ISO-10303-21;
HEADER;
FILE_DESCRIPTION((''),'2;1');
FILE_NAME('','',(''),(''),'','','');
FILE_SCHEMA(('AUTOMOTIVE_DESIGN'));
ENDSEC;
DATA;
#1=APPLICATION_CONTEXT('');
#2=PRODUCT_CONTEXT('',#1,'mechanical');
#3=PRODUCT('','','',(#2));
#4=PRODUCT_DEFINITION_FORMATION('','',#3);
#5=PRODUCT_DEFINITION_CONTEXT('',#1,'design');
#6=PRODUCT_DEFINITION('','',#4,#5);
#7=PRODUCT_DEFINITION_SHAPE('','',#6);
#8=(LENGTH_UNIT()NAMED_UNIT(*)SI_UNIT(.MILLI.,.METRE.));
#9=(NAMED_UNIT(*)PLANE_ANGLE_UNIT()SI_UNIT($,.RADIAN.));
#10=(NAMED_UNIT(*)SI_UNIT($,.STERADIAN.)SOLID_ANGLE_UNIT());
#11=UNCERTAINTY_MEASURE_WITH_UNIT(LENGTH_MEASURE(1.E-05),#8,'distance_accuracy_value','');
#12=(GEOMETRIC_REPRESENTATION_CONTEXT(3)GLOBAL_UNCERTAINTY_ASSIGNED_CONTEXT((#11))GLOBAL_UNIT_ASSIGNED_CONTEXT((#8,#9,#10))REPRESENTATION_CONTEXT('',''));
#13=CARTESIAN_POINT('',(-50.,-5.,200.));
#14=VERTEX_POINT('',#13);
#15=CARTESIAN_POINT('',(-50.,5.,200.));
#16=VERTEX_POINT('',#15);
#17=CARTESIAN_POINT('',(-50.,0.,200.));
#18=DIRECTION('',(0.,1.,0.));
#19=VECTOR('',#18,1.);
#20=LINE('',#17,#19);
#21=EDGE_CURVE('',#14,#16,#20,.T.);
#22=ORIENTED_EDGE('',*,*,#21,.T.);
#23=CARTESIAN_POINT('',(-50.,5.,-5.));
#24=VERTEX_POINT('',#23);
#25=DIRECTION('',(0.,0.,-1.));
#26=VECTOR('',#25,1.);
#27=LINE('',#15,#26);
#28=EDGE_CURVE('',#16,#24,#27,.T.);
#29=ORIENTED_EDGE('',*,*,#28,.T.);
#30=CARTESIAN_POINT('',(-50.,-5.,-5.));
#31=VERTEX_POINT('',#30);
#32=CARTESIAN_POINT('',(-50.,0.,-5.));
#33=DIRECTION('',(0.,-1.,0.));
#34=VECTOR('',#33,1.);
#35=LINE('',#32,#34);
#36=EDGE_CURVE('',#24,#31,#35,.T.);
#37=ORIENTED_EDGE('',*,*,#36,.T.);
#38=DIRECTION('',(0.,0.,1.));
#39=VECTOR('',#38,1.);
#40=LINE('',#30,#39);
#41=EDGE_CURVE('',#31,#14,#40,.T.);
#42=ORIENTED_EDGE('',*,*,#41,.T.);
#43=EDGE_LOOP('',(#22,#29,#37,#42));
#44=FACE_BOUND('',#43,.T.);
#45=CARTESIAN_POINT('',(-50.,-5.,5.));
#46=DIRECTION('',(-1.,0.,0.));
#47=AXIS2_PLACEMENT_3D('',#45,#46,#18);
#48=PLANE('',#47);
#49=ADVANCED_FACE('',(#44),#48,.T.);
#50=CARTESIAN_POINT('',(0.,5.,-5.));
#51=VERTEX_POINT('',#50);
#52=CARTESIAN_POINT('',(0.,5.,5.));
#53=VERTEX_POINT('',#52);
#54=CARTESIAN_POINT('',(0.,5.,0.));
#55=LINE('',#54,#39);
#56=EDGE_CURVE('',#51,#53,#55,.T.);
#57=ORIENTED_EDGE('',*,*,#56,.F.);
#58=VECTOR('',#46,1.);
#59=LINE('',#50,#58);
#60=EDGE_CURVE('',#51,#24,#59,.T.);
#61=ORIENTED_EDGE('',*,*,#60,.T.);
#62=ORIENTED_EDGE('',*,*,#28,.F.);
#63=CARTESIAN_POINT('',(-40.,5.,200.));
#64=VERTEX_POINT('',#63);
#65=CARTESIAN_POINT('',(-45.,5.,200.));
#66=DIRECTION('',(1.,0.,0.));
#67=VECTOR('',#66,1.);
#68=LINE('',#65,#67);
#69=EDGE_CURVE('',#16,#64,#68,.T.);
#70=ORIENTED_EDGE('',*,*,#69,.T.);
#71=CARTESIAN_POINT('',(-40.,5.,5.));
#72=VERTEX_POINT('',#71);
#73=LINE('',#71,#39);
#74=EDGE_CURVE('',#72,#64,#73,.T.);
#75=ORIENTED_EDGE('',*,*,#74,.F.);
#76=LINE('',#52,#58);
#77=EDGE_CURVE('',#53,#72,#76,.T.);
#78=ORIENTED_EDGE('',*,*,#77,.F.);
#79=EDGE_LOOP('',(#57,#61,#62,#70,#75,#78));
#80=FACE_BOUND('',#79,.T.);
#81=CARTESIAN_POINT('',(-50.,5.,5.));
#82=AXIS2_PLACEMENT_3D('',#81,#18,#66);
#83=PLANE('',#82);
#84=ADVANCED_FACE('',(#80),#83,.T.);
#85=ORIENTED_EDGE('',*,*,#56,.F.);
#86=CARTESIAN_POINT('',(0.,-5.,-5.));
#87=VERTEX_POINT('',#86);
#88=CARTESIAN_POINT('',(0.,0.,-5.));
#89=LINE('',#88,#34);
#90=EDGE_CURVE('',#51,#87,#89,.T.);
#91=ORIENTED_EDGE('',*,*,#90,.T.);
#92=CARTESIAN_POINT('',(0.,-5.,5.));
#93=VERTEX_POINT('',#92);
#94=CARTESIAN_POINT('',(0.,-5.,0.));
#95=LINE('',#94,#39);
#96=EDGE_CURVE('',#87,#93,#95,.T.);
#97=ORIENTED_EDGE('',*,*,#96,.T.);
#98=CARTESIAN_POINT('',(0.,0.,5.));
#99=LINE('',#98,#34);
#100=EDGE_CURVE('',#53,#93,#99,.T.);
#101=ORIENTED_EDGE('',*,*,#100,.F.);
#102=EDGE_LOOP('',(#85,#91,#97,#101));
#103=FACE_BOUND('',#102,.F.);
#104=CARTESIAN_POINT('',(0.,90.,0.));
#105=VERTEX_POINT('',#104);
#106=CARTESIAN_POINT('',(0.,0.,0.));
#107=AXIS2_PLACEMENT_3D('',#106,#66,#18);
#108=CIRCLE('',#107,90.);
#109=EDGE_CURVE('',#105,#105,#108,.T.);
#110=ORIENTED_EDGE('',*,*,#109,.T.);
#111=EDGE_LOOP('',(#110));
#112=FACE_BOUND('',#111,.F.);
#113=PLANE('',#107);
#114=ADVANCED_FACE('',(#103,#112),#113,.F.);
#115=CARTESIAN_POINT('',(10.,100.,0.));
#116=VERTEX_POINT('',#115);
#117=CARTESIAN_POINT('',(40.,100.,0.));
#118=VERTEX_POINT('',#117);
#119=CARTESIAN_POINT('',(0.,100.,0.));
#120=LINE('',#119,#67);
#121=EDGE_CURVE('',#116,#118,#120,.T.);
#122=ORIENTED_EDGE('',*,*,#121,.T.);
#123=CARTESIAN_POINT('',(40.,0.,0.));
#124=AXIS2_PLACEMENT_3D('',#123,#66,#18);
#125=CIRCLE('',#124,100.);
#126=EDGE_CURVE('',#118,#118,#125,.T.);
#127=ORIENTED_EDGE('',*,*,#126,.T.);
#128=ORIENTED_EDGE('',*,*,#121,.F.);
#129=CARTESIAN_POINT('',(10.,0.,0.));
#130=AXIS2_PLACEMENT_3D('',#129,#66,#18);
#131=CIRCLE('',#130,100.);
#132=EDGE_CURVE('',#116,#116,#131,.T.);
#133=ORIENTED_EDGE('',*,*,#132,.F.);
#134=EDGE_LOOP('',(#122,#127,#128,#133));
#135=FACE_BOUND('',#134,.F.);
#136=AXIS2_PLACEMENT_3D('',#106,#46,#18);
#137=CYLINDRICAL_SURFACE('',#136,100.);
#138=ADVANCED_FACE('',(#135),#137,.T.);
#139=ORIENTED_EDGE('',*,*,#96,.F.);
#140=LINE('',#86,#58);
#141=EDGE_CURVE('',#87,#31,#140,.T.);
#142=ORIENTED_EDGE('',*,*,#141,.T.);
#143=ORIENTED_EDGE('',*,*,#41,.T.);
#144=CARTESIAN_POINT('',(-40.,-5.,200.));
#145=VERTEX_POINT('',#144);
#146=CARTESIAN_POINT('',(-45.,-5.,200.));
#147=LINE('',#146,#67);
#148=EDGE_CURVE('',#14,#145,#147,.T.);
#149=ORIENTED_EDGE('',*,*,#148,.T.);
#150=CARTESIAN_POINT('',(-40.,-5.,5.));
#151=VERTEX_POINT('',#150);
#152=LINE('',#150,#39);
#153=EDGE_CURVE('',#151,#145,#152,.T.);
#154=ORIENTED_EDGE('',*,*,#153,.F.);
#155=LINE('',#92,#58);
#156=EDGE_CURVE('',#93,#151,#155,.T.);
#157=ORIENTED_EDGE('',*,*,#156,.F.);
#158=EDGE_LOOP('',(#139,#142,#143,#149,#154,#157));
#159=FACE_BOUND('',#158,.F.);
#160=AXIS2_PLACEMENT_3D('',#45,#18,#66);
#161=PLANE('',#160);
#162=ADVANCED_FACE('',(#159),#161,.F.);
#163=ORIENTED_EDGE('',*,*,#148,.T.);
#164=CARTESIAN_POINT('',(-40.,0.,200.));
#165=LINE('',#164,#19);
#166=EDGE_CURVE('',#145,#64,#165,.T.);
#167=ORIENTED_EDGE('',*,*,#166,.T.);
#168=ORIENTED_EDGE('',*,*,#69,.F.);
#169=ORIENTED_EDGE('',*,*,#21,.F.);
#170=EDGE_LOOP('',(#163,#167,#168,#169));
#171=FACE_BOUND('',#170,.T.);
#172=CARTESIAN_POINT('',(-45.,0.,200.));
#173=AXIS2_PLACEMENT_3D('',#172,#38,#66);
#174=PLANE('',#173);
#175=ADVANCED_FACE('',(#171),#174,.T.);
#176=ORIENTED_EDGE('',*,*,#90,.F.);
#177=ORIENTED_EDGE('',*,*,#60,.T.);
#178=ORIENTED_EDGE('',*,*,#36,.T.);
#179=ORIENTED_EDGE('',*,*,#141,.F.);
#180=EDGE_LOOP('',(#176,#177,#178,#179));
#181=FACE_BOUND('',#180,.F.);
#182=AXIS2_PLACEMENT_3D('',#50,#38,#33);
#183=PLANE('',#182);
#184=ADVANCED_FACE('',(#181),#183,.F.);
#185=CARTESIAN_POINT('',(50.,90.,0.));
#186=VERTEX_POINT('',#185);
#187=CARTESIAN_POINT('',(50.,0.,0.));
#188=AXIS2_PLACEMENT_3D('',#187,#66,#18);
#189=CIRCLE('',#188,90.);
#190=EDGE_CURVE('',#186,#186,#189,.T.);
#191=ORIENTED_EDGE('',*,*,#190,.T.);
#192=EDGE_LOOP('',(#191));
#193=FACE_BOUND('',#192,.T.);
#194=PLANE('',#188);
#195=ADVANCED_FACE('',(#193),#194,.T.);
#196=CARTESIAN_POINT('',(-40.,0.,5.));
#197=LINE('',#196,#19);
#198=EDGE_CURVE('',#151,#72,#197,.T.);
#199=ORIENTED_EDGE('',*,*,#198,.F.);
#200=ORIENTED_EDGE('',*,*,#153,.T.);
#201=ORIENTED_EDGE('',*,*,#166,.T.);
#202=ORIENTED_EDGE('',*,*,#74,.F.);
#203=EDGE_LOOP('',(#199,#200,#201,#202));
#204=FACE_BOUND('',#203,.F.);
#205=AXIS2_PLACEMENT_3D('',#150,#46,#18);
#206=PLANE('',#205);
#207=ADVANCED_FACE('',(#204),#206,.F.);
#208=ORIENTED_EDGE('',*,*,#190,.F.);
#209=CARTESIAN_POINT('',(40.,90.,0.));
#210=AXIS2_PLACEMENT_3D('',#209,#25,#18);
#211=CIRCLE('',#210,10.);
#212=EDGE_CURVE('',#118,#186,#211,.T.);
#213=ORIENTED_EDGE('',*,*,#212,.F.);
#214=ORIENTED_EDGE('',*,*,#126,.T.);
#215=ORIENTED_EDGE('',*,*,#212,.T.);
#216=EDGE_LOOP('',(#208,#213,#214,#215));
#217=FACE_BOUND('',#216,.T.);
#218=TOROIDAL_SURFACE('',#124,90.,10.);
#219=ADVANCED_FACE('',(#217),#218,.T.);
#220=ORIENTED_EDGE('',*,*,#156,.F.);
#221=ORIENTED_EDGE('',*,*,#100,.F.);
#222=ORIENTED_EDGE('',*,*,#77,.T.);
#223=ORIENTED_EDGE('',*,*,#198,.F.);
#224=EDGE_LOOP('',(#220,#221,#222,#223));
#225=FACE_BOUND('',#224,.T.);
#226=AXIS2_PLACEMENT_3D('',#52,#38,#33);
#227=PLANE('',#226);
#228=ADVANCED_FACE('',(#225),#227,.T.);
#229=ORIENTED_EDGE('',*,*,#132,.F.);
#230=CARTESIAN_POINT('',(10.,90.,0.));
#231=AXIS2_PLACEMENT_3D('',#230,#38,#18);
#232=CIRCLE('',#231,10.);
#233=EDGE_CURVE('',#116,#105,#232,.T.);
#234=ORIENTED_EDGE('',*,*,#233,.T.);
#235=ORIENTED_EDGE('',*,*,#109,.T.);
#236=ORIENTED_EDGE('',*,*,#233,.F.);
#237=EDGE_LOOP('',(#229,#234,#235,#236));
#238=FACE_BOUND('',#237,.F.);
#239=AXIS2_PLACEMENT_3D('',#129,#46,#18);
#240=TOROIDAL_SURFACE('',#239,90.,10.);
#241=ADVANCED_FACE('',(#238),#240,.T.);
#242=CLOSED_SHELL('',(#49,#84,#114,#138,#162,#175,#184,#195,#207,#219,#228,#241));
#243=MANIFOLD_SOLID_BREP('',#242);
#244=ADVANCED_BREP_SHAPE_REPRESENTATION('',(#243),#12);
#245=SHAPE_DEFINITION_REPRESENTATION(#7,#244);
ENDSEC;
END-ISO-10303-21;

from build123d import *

# Parameters (mm, degrees)
F0_R     = 100
F1_DEPTH = 50
F2_R     = 10
F3_W     = 10
F3_H     = 10
F4_DEPTH = 50
F5_W     = 10
F5_H     = 10
F6_DEPTH = 195


with BuildPart() as f1:
    # F0 (on Right) → F1 (new body)
    with BuildSketch(Plane.YZ):
        Circle(F0_R)
    extrude(amount=F1_DEPTH)

    # F2
    f2_edges = [f1.edges().sort_by_distance(p)[0] for p in [
        (50, -100, 0),
        (0, -100, 0),
    ]]
    fillet(f2_edges, radius=F2_R)

    # F3 (on face) → F4 (join)
    with BuildSketch(Plane(origin=(0, 0, 0), x_dir=(0, -1, 0), z_dir=(-1, 0, 0))):
        Rectangle(F3_W, F3_H)
    extrude(amount=F4_DEPTH)

    # F5 (on face) → F6 (join)
    with BuildSketch(Plane.XY.offset(5)):
        with Locations((-45, 0)):
            Rectangle(F5_W, F5_H)
    extrude(amount=F6_DEPTH)


solid = f1.part
